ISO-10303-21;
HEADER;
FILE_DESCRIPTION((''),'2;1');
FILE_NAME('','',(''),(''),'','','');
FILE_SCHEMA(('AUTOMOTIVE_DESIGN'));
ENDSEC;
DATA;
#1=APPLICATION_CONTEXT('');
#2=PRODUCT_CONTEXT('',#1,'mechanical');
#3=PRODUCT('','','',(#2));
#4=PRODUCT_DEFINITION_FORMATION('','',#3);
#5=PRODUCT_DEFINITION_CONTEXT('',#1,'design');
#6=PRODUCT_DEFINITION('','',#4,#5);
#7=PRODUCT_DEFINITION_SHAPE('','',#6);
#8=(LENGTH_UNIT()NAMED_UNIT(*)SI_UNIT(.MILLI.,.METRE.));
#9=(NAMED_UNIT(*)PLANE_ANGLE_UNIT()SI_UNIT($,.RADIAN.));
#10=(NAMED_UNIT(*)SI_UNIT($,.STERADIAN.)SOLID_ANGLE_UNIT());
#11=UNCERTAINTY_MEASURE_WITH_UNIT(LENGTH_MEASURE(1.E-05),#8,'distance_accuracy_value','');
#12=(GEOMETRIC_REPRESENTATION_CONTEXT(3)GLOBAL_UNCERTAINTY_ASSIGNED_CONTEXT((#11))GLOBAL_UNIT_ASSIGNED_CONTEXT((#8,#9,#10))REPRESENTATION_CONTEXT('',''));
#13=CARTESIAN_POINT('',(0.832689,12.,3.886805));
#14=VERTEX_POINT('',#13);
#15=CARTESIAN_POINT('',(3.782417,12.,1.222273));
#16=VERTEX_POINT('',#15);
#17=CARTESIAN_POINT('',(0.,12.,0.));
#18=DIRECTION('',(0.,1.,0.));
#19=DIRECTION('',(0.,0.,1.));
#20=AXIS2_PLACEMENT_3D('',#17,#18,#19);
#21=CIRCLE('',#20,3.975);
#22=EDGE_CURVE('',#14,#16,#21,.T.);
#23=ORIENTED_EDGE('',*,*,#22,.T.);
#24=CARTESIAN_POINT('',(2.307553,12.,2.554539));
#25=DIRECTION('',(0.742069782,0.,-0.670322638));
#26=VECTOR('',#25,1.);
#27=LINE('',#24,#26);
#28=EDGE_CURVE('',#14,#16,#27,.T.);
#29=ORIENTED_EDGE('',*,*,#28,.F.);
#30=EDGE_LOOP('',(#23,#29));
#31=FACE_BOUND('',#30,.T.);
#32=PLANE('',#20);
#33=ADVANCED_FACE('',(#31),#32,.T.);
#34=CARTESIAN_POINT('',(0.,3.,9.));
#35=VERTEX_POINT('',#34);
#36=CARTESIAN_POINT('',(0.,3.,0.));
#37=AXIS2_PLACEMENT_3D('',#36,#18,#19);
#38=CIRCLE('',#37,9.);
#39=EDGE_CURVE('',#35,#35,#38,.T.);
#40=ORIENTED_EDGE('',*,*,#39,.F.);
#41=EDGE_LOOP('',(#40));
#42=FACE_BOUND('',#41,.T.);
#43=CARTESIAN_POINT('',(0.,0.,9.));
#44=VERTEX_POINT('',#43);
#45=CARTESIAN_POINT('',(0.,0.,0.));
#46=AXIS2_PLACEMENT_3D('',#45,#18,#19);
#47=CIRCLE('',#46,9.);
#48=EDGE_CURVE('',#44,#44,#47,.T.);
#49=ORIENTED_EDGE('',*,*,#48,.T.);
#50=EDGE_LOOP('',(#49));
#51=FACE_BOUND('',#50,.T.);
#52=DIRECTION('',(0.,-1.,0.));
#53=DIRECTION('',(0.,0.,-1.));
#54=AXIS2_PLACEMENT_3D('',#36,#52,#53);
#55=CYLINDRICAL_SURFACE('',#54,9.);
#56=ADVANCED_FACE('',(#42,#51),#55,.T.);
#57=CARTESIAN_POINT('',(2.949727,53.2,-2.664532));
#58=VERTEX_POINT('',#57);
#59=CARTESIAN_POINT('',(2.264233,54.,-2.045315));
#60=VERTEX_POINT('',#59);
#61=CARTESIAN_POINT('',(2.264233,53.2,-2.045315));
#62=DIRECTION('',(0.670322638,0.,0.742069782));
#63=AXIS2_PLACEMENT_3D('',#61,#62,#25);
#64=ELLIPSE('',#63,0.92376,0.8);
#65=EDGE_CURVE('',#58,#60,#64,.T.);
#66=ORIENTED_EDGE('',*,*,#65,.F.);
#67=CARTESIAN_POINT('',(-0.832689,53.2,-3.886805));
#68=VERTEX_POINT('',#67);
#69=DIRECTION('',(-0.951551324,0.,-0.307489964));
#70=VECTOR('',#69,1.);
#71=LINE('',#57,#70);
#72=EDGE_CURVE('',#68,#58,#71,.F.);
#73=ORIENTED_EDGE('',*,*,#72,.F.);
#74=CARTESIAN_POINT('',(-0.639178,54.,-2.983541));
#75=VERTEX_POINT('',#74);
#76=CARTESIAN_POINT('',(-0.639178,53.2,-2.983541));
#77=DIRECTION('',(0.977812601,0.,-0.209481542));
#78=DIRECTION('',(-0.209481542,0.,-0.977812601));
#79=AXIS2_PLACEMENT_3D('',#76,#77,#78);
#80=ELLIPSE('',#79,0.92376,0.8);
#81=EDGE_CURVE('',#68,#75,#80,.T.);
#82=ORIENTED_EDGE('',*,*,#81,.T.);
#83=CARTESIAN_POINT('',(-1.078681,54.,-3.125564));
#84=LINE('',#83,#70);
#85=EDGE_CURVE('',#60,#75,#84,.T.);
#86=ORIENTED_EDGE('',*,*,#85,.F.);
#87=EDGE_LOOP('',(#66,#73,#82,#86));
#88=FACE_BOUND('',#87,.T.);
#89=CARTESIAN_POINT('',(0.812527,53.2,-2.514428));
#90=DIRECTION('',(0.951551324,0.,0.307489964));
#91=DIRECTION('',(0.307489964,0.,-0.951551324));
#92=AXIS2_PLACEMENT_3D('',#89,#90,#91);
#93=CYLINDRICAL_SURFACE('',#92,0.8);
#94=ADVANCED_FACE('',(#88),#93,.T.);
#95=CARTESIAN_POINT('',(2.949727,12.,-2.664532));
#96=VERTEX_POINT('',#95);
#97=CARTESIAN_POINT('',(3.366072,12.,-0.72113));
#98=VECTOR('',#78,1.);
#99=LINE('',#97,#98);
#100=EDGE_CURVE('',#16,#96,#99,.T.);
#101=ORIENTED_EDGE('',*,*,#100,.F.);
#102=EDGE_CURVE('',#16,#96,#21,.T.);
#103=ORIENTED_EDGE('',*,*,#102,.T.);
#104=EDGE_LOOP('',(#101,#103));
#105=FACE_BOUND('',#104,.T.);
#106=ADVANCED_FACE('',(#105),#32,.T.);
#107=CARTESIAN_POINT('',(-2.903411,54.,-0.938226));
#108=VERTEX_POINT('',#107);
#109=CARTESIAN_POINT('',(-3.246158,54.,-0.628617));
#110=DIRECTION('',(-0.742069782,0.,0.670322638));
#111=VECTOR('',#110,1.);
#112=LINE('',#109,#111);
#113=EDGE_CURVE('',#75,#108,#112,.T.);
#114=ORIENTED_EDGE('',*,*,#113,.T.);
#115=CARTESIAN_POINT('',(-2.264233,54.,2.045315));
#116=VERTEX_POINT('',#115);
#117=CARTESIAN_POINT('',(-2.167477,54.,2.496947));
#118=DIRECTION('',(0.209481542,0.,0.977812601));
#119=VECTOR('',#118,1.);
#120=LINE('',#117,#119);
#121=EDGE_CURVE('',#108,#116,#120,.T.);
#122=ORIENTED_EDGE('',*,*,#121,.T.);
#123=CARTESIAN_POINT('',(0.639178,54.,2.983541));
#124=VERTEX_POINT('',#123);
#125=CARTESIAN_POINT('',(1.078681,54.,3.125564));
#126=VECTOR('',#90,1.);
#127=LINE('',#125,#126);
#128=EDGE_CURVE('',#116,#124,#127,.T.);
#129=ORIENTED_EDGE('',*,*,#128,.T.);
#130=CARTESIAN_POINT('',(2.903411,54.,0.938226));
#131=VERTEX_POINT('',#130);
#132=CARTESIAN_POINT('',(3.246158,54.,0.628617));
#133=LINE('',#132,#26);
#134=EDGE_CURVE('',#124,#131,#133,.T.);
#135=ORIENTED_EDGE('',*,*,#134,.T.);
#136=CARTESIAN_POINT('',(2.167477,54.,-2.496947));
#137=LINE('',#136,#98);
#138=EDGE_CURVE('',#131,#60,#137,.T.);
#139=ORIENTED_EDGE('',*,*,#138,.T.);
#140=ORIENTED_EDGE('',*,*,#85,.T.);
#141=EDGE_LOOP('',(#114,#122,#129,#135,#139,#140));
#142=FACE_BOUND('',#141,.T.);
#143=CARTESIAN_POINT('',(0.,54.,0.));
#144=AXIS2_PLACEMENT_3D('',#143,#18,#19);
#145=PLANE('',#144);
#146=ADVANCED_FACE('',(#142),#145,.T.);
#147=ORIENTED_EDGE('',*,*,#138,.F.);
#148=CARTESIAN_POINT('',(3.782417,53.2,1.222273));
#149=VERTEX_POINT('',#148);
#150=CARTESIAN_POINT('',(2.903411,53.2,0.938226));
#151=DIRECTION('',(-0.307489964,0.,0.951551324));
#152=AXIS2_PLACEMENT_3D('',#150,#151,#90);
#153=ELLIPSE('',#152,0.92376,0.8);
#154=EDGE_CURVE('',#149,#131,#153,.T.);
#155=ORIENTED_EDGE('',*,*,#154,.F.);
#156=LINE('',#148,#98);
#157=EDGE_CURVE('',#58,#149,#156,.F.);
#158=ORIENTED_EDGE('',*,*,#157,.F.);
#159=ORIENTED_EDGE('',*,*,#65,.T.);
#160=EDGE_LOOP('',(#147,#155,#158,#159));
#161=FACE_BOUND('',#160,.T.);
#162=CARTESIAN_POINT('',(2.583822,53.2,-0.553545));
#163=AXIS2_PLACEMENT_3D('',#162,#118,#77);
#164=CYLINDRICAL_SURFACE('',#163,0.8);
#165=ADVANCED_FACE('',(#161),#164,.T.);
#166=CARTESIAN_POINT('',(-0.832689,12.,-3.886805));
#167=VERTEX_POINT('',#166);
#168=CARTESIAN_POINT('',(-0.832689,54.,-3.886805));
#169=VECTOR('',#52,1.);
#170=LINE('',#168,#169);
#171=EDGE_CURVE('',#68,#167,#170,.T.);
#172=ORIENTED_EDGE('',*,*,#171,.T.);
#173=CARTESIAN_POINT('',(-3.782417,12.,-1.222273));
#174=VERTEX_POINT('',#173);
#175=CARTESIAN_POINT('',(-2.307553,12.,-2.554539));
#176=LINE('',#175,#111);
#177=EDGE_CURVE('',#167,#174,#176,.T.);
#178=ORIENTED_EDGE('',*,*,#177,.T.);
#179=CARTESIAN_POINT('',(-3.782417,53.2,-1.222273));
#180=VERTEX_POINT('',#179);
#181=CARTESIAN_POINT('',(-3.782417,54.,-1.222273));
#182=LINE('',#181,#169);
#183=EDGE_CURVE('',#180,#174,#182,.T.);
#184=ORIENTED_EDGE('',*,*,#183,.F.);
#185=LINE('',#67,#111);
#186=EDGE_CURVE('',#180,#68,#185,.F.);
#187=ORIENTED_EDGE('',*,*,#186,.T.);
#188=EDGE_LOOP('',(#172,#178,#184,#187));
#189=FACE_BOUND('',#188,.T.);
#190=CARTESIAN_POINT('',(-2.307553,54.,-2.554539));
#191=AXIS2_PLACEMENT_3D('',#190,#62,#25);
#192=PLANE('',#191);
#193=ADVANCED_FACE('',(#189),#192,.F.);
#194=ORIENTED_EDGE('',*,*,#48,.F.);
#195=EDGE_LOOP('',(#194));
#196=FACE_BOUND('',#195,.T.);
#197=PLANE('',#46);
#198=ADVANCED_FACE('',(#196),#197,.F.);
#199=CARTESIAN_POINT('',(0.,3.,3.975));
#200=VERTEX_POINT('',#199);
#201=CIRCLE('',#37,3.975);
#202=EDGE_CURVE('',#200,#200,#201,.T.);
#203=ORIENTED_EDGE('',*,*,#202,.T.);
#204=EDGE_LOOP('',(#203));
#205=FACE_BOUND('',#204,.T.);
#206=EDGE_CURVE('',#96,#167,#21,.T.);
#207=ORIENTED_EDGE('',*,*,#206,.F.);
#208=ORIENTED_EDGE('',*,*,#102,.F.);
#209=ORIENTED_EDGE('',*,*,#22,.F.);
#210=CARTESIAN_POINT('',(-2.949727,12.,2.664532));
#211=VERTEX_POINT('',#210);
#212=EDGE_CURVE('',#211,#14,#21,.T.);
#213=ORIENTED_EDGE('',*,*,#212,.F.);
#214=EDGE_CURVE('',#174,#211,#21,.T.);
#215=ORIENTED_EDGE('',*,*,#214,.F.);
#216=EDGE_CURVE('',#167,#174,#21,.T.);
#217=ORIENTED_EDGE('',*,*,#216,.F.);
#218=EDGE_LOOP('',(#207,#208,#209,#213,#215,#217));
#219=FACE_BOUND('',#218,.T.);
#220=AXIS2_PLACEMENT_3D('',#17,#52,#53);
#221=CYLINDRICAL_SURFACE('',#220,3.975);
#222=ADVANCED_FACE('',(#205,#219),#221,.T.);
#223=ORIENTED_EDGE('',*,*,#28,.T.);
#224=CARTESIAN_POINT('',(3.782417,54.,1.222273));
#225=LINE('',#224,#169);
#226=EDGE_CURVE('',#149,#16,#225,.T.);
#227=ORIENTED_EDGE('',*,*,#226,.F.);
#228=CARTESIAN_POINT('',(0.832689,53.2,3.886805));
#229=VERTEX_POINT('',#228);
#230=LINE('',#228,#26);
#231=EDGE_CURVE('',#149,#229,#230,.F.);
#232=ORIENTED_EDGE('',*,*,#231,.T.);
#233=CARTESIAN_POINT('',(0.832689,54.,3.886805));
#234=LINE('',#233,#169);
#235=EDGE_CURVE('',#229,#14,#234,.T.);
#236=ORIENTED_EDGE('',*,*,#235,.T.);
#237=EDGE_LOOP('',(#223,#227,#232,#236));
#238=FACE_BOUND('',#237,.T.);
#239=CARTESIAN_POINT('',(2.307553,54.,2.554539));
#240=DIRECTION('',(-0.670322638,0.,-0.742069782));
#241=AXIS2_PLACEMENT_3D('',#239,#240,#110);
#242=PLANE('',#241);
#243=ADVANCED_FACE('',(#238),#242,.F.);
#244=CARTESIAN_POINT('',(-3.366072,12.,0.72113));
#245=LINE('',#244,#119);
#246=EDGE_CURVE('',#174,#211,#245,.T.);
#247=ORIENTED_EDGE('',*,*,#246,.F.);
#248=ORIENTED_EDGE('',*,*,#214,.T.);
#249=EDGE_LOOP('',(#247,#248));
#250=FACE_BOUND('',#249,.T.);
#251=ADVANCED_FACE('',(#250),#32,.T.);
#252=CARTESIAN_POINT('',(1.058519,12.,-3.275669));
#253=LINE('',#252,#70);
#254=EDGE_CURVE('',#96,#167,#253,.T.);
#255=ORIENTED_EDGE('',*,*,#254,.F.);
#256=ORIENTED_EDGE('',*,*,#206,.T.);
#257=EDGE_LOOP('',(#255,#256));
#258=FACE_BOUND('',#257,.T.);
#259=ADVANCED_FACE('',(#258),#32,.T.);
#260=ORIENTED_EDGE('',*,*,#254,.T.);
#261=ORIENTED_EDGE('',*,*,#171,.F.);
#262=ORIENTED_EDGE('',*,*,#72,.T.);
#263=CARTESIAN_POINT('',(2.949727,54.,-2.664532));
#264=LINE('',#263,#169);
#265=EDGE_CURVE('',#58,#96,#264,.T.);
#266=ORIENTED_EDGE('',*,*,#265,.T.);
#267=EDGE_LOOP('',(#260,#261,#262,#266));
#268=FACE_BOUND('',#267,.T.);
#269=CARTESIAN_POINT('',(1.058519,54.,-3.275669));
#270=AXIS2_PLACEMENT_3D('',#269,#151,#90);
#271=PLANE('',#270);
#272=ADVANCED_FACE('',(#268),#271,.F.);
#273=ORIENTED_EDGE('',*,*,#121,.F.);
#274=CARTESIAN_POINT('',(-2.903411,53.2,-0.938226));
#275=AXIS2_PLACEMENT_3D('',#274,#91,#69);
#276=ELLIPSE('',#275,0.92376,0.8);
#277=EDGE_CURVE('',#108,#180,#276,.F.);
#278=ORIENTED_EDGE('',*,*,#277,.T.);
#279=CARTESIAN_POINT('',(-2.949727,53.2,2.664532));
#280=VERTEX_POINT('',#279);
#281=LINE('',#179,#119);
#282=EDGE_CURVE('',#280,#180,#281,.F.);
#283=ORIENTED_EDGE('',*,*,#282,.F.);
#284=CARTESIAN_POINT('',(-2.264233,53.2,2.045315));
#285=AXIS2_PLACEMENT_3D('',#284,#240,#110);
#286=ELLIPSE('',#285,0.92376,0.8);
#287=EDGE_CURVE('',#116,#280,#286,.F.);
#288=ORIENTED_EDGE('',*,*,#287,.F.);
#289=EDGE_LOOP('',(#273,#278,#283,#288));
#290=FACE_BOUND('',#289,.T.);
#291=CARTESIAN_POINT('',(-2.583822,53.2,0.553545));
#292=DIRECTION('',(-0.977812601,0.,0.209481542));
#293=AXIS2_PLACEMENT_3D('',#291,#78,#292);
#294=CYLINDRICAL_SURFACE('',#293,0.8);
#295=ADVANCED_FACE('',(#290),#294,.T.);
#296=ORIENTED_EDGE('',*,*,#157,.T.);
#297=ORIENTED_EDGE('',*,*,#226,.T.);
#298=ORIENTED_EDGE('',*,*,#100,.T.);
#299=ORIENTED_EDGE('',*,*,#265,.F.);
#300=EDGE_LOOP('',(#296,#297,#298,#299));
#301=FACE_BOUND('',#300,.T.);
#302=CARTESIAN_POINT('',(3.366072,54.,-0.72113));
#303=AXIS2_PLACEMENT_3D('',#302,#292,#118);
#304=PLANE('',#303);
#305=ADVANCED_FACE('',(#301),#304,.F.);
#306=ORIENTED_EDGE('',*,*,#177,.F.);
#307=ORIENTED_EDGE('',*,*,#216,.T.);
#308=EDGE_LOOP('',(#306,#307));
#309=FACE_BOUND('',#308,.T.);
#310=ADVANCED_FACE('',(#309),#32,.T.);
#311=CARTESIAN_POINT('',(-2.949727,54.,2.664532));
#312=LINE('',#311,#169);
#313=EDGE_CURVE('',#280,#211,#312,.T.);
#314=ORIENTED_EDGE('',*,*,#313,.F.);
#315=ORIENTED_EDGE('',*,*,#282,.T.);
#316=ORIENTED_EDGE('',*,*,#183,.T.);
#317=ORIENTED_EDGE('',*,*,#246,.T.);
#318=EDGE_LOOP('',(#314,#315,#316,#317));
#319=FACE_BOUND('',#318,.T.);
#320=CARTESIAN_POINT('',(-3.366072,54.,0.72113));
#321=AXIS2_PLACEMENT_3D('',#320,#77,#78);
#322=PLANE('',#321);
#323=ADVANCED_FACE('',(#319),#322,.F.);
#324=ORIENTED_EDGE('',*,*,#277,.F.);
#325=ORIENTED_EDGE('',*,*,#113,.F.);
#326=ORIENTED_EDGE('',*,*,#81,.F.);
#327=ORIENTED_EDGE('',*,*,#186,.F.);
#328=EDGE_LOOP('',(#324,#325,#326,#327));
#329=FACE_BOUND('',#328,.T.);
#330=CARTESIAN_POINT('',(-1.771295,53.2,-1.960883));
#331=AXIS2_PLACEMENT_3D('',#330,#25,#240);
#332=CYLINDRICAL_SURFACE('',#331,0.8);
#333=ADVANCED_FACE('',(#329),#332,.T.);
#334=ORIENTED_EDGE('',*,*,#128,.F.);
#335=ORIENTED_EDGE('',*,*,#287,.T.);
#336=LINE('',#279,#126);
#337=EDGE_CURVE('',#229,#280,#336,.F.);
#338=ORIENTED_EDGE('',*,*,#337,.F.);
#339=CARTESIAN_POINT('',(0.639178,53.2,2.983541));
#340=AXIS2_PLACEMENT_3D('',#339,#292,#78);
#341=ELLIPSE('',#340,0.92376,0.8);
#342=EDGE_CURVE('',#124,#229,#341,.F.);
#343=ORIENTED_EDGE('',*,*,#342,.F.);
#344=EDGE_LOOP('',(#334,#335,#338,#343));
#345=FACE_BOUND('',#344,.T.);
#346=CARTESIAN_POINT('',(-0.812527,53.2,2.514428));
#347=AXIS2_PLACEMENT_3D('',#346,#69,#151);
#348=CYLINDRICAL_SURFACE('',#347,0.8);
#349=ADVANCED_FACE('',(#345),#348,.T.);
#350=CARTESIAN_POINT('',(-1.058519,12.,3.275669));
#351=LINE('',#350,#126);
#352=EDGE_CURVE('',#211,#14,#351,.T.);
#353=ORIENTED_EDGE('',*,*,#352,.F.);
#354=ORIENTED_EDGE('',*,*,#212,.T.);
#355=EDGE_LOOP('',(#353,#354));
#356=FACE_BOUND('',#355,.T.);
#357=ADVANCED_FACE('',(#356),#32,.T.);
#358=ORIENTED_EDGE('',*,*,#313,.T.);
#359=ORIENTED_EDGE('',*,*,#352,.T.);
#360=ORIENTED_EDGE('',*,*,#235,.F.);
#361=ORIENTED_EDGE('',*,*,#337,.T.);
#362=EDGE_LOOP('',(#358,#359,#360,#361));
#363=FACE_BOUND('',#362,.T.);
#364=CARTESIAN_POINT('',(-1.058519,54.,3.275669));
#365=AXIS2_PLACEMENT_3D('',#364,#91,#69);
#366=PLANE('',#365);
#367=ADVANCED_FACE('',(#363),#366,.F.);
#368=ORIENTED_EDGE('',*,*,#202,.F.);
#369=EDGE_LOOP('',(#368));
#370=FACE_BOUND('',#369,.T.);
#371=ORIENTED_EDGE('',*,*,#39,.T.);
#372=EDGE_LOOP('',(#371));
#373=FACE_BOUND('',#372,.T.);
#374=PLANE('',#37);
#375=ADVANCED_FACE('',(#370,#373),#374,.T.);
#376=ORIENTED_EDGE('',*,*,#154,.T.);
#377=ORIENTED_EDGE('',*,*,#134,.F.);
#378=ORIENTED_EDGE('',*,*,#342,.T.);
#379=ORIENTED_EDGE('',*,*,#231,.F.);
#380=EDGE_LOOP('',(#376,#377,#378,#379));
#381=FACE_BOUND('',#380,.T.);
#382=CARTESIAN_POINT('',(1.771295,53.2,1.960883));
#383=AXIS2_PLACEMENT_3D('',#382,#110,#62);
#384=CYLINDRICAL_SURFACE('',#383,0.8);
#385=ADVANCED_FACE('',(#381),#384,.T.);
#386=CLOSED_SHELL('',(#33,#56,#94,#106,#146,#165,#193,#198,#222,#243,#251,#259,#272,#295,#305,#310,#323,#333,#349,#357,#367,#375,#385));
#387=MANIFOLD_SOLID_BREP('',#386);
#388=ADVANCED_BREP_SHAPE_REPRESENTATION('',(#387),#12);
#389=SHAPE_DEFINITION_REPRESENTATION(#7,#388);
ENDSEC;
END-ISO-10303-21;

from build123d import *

# Parameters (mm, degrees)
CROQUIS1_R              = 9
SALIENTE_EXTRUIR1_DEPTH = 3
CROQUIS2_R              = 3.975
SALIENTE_EXTRUIR2_DEPTH = 9
SALIENTE_EXTRUIR3_DEPTH = 42
REDONDEO1_R             = 0.8


with BuildPart() as part:
    # Croquis1 → Saliente-Extruir1 (new body)
    with BuildSketch(Plane(origin=(0, 0, 0), x_dir=(1, 0, 0), z_dir=(0, 1, 0))):
        with Locations(Location((0, 0, 0), (0, 0, 270))):
            Circle(CROQUIS1_R)
    extrude(amount=SALIENTE_EXTRUIR1_DEPTH)

    # Croquis2 → Saliente-Extruir2 (add)
    with BuildSketch(Plane(origin=(0, 3, 0), x_dir=(1, 0, 0), z_dir=(0, 1, 0))):
        with Locations(Location((0, 0, 0), (0, 0, 270))):
            Circle(CROQUIS2_R)
    extrude(amount=SALIENTE_EXTRUIR2_DEPTH)

    # Croquis3 → Saliente-Extruir3 (add)
    with BuildSketch(Plane(origin=(0, 12, 0), x_dir=(1, 0, 0), z_dir=(0, 1, 0))):
        Polygon((-2.949727384, -2.664532485), (0.832689129, -3.886805091), (3.782416513, -1.222272606), (2.949727384, 2.664532485), (-0.832689129, 3.886805091), (-3.782416513, 1.222272606), align=None)
    extrude(amount=SALIENTE_EXTRUIR3_DEPTH)

    # Redondeo1
    redondeo1_edges = [part.edges().sort_by_distance(p)[0] for p in [
        (-1.058519127, 54, 3.275668788),
        (2.307552821, 54, 2.554538849),
        (3.366071948, 54, -0.721129939),
        (1.058519127, 54, -3.275668788),
        (-2.307552821, 54, -2.554538849),
        (-3.366071948, 54, 0.721129939),
    ]]
    fillet(redondeo1_edges, radius=REDONDEO1_R)


solid = part.part
